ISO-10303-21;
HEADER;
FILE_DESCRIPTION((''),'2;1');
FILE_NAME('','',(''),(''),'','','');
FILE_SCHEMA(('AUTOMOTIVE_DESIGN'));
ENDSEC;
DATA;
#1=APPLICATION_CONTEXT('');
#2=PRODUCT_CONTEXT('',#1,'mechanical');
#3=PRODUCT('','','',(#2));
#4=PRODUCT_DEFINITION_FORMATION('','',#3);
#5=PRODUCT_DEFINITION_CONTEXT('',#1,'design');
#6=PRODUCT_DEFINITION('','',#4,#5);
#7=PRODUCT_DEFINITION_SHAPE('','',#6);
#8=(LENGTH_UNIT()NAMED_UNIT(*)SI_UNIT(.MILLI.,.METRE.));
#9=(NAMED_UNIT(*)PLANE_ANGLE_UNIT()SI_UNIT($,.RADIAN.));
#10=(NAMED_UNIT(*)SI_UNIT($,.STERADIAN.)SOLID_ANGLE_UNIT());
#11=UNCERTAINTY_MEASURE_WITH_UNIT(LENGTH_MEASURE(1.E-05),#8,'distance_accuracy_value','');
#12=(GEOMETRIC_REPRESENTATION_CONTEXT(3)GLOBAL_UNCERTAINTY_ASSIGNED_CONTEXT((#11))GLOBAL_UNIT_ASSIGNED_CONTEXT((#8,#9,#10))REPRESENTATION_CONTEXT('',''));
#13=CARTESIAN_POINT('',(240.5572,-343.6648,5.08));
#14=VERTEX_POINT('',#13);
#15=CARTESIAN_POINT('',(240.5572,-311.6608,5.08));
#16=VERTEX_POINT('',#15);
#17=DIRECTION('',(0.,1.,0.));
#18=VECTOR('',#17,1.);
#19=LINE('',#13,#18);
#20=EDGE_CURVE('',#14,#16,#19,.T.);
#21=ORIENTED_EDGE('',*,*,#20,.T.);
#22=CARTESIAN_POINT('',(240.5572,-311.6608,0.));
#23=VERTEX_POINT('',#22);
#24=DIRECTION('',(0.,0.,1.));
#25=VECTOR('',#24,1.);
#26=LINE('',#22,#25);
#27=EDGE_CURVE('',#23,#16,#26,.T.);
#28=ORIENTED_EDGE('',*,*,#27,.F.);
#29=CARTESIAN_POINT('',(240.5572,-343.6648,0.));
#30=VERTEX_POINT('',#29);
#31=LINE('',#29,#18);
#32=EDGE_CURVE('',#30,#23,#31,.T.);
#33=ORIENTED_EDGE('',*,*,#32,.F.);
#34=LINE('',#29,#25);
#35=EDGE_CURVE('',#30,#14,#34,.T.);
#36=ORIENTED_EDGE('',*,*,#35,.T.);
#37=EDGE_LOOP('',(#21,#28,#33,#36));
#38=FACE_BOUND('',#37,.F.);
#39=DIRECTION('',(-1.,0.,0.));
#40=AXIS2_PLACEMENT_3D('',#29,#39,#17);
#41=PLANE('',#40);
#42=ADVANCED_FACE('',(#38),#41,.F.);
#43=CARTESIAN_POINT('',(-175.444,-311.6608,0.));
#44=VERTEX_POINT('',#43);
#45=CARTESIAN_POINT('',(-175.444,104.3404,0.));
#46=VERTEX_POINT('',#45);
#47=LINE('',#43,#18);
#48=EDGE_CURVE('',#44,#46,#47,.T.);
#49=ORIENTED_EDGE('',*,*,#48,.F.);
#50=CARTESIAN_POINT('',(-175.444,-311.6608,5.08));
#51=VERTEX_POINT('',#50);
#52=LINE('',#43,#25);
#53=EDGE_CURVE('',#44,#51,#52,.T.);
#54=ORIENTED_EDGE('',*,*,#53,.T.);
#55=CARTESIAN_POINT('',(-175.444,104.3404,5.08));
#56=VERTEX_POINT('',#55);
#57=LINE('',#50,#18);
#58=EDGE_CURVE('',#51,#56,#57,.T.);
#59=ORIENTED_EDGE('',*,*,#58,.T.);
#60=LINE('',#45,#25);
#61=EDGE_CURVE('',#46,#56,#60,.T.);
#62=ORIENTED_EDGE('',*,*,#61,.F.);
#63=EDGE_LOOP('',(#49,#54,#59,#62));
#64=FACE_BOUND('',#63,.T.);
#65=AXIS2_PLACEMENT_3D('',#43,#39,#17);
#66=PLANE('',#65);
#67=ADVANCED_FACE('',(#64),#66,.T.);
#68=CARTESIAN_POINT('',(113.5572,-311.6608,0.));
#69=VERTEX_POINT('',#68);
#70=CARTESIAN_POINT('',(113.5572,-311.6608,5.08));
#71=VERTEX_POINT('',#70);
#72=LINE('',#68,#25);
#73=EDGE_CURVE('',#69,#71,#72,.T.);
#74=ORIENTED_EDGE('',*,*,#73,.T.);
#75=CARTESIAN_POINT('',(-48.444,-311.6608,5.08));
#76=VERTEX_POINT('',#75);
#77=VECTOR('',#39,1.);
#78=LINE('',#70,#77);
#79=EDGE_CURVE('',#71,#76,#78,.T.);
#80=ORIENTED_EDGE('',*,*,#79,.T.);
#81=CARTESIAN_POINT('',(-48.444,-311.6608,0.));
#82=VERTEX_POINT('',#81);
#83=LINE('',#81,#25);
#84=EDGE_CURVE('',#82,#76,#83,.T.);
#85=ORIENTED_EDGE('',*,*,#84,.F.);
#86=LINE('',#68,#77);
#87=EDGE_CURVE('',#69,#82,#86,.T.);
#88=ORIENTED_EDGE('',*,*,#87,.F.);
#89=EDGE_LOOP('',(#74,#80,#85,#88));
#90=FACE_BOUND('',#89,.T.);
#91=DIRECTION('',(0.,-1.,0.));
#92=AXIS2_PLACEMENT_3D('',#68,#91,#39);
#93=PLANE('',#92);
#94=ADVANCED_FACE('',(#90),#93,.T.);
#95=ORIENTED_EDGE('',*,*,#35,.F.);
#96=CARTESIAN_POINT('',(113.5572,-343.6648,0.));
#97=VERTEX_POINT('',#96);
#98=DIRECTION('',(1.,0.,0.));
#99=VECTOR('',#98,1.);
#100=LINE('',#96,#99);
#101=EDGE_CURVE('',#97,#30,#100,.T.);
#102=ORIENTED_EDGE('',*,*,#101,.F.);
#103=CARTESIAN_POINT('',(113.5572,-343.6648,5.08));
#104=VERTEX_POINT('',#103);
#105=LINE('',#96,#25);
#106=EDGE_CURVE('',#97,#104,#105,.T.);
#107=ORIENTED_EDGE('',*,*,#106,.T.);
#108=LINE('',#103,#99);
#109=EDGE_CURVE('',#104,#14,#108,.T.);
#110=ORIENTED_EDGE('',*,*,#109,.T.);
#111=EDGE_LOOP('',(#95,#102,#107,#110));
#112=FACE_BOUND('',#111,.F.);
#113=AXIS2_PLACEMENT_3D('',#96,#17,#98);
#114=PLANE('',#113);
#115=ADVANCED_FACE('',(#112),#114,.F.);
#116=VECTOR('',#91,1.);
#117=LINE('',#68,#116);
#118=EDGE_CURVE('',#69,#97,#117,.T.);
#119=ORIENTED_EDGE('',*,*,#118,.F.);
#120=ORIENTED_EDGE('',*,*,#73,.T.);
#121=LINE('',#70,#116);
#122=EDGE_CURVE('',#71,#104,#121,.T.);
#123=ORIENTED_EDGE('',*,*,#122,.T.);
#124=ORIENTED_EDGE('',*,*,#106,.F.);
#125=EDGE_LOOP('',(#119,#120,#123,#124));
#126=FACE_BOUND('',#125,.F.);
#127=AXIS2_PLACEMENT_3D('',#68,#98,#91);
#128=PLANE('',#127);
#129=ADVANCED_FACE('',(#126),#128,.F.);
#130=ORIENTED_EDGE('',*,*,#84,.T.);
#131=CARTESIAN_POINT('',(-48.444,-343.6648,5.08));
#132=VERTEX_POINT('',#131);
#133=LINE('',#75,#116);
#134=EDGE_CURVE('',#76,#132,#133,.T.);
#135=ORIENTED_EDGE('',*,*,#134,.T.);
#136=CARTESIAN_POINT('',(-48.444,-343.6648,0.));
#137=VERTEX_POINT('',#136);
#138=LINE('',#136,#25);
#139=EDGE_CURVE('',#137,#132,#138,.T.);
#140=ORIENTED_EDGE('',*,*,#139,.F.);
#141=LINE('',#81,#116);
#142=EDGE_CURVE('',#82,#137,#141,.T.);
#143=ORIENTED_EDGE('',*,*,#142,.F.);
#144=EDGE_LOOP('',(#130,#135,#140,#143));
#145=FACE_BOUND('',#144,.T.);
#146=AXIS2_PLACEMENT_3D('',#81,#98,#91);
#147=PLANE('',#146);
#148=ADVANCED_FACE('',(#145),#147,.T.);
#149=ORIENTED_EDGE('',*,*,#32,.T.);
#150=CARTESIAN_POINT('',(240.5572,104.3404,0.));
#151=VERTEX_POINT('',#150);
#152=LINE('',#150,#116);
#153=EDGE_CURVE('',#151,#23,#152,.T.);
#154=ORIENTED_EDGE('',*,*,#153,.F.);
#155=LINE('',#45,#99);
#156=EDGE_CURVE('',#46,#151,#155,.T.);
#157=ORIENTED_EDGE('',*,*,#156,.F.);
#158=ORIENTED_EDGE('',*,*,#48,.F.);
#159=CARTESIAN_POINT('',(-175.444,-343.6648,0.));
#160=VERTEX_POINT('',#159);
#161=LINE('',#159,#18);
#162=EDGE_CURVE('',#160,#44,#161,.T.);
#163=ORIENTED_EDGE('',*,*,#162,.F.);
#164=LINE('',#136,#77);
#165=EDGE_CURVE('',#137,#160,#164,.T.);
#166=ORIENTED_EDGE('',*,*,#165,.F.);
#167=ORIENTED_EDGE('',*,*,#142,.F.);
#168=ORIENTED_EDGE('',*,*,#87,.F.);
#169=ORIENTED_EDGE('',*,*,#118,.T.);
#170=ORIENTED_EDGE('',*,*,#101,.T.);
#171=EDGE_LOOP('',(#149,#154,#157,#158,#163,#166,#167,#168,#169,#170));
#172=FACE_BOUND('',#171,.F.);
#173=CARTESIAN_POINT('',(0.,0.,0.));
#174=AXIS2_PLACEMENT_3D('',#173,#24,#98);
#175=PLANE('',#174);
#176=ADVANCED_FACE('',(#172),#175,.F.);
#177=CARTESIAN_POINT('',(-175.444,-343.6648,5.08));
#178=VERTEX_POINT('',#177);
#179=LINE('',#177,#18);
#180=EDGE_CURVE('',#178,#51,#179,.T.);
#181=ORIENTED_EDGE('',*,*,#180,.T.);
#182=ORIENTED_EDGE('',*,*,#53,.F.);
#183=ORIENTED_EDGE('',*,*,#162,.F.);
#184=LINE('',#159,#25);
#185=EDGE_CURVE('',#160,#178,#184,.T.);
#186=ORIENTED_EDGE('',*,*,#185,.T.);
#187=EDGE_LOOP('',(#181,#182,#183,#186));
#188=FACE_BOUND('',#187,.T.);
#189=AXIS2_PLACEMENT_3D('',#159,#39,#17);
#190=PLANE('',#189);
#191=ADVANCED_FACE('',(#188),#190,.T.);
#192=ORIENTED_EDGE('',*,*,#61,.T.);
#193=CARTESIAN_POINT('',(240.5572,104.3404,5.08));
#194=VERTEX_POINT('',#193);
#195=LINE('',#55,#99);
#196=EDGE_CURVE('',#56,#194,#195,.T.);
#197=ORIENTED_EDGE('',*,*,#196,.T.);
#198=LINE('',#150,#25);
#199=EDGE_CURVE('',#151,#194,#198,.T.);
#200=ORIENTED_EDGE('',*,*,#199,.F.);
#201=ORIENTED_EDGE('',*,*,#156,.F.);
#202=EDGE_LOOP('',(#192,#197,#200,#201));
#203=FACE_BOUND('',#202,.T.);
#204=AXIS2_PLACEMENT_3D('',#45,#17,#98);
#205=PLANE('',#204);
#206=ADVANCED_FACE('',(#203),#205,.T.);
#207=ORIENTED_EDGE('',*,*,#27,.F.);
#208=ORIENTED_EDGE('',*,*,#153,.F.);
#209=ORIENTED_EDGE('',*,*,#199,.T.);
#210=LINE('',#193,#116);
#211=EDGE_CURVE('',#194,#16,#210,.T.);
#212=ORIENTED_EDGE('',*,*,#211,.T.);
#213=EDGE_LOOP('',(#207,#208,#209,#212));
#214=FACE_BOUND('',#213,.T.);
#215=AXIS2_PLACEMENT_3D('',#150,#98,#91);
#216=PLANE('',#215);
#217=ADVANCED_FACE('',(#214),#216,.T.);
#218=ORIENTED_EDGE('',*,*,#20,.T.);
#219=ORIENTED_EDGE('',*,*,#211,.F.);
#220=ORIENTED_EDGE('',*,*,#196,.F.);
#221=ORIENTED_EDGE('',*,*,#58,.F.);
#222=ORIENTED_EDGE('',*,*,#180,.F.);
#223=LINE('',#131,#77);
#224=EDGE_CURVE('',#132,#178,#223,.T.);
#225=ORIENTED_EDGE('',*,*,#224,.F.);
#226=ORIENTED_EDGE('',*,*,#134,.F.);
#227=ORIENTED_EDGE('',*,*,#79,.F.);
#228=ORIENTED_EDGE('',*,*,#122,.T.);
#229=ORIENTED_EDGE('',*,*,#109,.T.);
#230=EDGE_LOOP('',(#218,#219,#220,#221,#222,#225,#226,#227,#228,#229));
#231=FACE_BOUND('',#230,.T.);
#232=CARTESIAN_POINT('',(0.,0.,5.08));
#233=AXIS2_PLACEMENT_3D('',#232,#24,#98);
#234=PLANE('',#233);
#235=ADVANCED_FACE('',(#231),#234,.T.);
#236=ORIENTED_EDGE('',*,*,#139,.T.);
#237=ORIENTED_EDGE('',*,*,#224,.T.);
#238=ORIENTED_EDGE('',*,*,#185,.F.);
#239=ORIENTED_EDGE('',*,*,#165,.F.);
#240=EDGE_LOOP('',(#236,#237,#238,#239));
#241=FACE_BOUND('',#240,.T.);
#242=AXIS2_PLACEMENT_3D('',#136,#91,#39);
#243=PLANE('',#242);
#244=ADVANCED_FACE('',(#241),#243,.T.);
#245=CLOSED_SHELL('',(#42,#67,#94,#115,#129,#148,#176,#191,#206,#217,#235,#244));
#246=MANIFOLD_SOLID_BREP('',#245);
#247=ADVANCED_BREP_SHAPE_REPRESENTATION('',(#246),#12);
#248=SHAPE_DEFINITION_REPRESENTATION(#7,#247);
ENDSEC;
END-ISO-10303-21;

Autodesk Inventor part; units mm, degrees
ref_plane "YZ Plane" through (0, 0, 0) normal (1, 0, 0) x (0, 1, 0)
ref_plane "XZ Plane" through (0, 0, 0) normal (0, 1, 0) x (-1, 0, 0)
ref_plane "XY Plane" through (0, 0, 0) normal (0, 0, 1) x (1, 0, 0)
sketch "Sketch1" plane through (0, 0, 0) normal (0, 0, 1) x (1, 0, 0)
  line L0 (-175.444, 104.3404) -> (240.5572, 104.3404)
  line L1 (240.5572, 104.3404) -> (240.5572, -311.6608)
  line L2 (113.5572, -311.6608) -> (-48.444, -311.6608)
  line L3 (-175.444, -311.6608) -> (-175.444, 104.3404)
  line L4 (-48.444, -311.6608) -> (-48.444, -343.6648)
  line L5 (-48.444, -343.6648) -> (-175.444, -343.6648)
  line L6 (-175.444, -343.6648) -> (-175.444, -311.6608)
  line L7 (113.5572, -311.6608) -> (113.5572, -343.6648)
  line L8 (113.5572, -343.6648) -> (240.5572, -343.6648)
  line L9 (240.5572, -343.6648) -> (240.5572, -311.6608)
  point P0 (0, 0)
  dimension "d0" = 416.0012
  dimension "d1" = 416.0012
  dimension "d2" = 127
  dimension "d3" = 127
  dimension "d4" = 162.0012
  dimension "d5" = 32.004
extrude "Extrusion1" add sketch "Sketch1" along normal blind 5.08
properties part number "plate"
